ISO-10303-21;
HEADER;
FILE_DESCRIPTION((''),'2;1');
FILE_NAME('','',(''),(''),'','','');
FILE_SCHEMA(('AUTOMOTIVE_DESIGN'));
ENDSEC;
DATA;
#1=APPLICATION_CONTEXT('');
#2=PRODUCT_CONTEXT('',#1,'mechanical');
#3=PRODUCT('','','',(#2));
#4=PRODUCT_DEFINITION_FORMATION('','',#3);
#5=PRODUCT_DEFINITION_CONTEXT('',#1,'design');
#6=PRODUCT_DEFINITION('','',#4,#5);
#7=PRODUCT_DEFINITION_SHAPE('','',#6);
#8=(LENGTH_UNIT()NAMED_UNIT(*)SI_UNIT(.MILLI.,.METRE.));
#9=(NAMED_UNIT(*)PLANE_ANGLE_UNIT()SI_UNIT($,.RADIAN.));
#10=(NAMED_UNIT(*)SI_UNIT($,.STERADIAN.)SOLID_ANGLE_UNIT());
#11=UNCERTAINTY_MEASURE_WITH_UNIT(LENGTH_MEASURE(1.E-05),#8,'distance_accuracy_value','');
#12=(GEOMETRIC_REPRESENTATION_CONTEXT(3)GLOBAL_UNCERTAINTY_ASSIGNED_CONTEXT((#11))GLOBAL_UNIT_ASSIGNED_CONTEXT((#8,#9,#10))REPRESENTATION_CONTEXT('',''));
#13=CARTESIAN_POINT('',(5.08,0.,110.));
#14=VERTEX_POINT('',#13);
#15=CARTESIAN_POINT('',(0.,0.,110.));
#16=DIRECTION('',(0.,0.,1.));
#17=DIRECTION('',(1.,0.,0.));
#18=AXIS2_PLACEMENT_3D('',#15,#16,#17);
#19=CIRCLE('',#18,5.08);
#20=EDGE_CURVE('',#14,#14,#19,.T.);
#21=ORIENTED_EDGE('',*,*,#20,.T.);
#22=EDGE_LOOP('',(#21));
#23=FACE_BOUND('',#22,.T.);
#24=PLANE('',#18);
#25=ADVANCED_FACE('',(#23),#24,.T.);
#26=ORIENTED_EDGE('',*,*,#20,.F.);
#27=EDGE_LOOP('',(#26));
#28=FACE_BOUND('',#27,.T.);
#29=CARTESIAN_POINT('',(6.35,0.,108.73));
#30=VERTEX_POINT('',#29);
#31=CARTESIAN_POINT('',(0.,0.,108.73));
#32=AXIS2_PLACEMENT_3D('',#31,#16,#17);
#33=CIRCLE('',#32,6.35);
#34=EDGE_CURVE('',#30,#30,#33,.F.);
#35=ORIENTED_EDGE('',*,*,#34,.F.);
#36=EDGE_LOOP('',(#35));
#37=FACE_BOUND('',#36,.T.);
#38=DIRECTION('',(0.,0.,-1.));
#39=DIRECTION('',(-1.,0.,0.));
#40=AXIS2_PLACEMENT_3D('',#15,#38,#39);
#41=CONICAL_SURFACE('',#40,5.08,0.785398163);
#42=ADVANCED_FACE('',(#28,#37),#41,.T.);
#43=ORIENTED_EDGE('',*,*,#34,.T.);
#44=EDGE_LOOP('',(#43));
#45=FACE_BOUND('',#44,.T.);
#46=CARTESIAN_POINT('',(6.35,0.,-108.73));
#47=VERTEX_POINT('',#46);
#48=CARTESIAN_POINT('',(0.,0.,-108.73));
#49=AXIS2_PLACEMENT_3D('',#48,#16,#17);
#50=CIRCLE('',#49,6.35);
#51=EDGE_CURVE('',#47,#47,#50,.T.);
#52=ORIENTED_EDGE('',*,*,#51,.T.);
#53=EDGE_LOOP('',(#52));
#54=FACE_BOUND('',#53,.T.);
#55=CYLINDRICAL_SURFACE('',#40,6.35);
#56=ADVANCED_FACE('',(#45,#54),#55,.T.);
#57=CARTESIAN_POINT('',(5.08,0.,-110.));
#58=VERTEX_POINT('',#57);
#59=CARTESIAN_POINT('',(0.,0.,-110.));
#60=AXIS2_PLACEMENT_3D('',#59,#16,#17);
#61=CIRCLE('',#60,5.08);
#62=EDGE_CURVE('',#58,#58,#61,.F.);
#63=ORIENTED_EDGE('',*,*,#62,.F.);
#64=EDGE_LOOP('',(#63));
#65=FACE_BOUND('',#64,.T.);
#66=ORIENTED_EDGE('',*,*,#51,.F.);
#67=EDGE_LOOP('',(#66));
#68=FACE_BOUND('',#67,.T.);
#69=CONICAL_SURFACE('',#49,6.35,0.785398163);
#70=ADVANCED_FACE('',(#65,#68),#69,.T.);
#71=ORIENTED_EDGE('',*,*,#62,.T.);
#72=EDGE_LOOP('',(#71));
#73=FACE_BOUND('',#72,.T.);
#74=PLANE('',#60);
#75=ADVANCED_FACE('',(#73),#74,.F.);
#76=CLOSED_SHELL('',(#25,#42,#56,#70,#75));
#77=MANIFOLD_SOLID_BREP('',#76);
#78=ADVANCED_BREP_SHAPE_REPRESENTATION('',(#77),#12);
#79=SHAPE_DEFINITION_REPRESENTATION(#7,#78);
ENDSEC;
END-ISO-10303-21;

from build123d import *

# Parameters (mm, degrees)
SKETCH1_R      = 6.35
EXTRUDE1_DEPTH = 110
CHAMFER1_SIZE  = 1.27


with BuildPart() as part:
    # Sketch1 → Extrude1 (new body, symmetric)
    with BuildSketch(Plane.XY):
        Circle(SKETCH1_R)
    extrude(amount=EXTRUDE1_DEPTH, both=True)

    # Chamfer1
    chamfer1_edges = [part.edges().sort_by_distance(p)[0] for p in [
        (-6.35, 0, -110),
        (-6.35, 0, 110),
    ]]
    chamfer(chamfer1_edges, length=CHAMFER1_SIZE)


solid = part.part
